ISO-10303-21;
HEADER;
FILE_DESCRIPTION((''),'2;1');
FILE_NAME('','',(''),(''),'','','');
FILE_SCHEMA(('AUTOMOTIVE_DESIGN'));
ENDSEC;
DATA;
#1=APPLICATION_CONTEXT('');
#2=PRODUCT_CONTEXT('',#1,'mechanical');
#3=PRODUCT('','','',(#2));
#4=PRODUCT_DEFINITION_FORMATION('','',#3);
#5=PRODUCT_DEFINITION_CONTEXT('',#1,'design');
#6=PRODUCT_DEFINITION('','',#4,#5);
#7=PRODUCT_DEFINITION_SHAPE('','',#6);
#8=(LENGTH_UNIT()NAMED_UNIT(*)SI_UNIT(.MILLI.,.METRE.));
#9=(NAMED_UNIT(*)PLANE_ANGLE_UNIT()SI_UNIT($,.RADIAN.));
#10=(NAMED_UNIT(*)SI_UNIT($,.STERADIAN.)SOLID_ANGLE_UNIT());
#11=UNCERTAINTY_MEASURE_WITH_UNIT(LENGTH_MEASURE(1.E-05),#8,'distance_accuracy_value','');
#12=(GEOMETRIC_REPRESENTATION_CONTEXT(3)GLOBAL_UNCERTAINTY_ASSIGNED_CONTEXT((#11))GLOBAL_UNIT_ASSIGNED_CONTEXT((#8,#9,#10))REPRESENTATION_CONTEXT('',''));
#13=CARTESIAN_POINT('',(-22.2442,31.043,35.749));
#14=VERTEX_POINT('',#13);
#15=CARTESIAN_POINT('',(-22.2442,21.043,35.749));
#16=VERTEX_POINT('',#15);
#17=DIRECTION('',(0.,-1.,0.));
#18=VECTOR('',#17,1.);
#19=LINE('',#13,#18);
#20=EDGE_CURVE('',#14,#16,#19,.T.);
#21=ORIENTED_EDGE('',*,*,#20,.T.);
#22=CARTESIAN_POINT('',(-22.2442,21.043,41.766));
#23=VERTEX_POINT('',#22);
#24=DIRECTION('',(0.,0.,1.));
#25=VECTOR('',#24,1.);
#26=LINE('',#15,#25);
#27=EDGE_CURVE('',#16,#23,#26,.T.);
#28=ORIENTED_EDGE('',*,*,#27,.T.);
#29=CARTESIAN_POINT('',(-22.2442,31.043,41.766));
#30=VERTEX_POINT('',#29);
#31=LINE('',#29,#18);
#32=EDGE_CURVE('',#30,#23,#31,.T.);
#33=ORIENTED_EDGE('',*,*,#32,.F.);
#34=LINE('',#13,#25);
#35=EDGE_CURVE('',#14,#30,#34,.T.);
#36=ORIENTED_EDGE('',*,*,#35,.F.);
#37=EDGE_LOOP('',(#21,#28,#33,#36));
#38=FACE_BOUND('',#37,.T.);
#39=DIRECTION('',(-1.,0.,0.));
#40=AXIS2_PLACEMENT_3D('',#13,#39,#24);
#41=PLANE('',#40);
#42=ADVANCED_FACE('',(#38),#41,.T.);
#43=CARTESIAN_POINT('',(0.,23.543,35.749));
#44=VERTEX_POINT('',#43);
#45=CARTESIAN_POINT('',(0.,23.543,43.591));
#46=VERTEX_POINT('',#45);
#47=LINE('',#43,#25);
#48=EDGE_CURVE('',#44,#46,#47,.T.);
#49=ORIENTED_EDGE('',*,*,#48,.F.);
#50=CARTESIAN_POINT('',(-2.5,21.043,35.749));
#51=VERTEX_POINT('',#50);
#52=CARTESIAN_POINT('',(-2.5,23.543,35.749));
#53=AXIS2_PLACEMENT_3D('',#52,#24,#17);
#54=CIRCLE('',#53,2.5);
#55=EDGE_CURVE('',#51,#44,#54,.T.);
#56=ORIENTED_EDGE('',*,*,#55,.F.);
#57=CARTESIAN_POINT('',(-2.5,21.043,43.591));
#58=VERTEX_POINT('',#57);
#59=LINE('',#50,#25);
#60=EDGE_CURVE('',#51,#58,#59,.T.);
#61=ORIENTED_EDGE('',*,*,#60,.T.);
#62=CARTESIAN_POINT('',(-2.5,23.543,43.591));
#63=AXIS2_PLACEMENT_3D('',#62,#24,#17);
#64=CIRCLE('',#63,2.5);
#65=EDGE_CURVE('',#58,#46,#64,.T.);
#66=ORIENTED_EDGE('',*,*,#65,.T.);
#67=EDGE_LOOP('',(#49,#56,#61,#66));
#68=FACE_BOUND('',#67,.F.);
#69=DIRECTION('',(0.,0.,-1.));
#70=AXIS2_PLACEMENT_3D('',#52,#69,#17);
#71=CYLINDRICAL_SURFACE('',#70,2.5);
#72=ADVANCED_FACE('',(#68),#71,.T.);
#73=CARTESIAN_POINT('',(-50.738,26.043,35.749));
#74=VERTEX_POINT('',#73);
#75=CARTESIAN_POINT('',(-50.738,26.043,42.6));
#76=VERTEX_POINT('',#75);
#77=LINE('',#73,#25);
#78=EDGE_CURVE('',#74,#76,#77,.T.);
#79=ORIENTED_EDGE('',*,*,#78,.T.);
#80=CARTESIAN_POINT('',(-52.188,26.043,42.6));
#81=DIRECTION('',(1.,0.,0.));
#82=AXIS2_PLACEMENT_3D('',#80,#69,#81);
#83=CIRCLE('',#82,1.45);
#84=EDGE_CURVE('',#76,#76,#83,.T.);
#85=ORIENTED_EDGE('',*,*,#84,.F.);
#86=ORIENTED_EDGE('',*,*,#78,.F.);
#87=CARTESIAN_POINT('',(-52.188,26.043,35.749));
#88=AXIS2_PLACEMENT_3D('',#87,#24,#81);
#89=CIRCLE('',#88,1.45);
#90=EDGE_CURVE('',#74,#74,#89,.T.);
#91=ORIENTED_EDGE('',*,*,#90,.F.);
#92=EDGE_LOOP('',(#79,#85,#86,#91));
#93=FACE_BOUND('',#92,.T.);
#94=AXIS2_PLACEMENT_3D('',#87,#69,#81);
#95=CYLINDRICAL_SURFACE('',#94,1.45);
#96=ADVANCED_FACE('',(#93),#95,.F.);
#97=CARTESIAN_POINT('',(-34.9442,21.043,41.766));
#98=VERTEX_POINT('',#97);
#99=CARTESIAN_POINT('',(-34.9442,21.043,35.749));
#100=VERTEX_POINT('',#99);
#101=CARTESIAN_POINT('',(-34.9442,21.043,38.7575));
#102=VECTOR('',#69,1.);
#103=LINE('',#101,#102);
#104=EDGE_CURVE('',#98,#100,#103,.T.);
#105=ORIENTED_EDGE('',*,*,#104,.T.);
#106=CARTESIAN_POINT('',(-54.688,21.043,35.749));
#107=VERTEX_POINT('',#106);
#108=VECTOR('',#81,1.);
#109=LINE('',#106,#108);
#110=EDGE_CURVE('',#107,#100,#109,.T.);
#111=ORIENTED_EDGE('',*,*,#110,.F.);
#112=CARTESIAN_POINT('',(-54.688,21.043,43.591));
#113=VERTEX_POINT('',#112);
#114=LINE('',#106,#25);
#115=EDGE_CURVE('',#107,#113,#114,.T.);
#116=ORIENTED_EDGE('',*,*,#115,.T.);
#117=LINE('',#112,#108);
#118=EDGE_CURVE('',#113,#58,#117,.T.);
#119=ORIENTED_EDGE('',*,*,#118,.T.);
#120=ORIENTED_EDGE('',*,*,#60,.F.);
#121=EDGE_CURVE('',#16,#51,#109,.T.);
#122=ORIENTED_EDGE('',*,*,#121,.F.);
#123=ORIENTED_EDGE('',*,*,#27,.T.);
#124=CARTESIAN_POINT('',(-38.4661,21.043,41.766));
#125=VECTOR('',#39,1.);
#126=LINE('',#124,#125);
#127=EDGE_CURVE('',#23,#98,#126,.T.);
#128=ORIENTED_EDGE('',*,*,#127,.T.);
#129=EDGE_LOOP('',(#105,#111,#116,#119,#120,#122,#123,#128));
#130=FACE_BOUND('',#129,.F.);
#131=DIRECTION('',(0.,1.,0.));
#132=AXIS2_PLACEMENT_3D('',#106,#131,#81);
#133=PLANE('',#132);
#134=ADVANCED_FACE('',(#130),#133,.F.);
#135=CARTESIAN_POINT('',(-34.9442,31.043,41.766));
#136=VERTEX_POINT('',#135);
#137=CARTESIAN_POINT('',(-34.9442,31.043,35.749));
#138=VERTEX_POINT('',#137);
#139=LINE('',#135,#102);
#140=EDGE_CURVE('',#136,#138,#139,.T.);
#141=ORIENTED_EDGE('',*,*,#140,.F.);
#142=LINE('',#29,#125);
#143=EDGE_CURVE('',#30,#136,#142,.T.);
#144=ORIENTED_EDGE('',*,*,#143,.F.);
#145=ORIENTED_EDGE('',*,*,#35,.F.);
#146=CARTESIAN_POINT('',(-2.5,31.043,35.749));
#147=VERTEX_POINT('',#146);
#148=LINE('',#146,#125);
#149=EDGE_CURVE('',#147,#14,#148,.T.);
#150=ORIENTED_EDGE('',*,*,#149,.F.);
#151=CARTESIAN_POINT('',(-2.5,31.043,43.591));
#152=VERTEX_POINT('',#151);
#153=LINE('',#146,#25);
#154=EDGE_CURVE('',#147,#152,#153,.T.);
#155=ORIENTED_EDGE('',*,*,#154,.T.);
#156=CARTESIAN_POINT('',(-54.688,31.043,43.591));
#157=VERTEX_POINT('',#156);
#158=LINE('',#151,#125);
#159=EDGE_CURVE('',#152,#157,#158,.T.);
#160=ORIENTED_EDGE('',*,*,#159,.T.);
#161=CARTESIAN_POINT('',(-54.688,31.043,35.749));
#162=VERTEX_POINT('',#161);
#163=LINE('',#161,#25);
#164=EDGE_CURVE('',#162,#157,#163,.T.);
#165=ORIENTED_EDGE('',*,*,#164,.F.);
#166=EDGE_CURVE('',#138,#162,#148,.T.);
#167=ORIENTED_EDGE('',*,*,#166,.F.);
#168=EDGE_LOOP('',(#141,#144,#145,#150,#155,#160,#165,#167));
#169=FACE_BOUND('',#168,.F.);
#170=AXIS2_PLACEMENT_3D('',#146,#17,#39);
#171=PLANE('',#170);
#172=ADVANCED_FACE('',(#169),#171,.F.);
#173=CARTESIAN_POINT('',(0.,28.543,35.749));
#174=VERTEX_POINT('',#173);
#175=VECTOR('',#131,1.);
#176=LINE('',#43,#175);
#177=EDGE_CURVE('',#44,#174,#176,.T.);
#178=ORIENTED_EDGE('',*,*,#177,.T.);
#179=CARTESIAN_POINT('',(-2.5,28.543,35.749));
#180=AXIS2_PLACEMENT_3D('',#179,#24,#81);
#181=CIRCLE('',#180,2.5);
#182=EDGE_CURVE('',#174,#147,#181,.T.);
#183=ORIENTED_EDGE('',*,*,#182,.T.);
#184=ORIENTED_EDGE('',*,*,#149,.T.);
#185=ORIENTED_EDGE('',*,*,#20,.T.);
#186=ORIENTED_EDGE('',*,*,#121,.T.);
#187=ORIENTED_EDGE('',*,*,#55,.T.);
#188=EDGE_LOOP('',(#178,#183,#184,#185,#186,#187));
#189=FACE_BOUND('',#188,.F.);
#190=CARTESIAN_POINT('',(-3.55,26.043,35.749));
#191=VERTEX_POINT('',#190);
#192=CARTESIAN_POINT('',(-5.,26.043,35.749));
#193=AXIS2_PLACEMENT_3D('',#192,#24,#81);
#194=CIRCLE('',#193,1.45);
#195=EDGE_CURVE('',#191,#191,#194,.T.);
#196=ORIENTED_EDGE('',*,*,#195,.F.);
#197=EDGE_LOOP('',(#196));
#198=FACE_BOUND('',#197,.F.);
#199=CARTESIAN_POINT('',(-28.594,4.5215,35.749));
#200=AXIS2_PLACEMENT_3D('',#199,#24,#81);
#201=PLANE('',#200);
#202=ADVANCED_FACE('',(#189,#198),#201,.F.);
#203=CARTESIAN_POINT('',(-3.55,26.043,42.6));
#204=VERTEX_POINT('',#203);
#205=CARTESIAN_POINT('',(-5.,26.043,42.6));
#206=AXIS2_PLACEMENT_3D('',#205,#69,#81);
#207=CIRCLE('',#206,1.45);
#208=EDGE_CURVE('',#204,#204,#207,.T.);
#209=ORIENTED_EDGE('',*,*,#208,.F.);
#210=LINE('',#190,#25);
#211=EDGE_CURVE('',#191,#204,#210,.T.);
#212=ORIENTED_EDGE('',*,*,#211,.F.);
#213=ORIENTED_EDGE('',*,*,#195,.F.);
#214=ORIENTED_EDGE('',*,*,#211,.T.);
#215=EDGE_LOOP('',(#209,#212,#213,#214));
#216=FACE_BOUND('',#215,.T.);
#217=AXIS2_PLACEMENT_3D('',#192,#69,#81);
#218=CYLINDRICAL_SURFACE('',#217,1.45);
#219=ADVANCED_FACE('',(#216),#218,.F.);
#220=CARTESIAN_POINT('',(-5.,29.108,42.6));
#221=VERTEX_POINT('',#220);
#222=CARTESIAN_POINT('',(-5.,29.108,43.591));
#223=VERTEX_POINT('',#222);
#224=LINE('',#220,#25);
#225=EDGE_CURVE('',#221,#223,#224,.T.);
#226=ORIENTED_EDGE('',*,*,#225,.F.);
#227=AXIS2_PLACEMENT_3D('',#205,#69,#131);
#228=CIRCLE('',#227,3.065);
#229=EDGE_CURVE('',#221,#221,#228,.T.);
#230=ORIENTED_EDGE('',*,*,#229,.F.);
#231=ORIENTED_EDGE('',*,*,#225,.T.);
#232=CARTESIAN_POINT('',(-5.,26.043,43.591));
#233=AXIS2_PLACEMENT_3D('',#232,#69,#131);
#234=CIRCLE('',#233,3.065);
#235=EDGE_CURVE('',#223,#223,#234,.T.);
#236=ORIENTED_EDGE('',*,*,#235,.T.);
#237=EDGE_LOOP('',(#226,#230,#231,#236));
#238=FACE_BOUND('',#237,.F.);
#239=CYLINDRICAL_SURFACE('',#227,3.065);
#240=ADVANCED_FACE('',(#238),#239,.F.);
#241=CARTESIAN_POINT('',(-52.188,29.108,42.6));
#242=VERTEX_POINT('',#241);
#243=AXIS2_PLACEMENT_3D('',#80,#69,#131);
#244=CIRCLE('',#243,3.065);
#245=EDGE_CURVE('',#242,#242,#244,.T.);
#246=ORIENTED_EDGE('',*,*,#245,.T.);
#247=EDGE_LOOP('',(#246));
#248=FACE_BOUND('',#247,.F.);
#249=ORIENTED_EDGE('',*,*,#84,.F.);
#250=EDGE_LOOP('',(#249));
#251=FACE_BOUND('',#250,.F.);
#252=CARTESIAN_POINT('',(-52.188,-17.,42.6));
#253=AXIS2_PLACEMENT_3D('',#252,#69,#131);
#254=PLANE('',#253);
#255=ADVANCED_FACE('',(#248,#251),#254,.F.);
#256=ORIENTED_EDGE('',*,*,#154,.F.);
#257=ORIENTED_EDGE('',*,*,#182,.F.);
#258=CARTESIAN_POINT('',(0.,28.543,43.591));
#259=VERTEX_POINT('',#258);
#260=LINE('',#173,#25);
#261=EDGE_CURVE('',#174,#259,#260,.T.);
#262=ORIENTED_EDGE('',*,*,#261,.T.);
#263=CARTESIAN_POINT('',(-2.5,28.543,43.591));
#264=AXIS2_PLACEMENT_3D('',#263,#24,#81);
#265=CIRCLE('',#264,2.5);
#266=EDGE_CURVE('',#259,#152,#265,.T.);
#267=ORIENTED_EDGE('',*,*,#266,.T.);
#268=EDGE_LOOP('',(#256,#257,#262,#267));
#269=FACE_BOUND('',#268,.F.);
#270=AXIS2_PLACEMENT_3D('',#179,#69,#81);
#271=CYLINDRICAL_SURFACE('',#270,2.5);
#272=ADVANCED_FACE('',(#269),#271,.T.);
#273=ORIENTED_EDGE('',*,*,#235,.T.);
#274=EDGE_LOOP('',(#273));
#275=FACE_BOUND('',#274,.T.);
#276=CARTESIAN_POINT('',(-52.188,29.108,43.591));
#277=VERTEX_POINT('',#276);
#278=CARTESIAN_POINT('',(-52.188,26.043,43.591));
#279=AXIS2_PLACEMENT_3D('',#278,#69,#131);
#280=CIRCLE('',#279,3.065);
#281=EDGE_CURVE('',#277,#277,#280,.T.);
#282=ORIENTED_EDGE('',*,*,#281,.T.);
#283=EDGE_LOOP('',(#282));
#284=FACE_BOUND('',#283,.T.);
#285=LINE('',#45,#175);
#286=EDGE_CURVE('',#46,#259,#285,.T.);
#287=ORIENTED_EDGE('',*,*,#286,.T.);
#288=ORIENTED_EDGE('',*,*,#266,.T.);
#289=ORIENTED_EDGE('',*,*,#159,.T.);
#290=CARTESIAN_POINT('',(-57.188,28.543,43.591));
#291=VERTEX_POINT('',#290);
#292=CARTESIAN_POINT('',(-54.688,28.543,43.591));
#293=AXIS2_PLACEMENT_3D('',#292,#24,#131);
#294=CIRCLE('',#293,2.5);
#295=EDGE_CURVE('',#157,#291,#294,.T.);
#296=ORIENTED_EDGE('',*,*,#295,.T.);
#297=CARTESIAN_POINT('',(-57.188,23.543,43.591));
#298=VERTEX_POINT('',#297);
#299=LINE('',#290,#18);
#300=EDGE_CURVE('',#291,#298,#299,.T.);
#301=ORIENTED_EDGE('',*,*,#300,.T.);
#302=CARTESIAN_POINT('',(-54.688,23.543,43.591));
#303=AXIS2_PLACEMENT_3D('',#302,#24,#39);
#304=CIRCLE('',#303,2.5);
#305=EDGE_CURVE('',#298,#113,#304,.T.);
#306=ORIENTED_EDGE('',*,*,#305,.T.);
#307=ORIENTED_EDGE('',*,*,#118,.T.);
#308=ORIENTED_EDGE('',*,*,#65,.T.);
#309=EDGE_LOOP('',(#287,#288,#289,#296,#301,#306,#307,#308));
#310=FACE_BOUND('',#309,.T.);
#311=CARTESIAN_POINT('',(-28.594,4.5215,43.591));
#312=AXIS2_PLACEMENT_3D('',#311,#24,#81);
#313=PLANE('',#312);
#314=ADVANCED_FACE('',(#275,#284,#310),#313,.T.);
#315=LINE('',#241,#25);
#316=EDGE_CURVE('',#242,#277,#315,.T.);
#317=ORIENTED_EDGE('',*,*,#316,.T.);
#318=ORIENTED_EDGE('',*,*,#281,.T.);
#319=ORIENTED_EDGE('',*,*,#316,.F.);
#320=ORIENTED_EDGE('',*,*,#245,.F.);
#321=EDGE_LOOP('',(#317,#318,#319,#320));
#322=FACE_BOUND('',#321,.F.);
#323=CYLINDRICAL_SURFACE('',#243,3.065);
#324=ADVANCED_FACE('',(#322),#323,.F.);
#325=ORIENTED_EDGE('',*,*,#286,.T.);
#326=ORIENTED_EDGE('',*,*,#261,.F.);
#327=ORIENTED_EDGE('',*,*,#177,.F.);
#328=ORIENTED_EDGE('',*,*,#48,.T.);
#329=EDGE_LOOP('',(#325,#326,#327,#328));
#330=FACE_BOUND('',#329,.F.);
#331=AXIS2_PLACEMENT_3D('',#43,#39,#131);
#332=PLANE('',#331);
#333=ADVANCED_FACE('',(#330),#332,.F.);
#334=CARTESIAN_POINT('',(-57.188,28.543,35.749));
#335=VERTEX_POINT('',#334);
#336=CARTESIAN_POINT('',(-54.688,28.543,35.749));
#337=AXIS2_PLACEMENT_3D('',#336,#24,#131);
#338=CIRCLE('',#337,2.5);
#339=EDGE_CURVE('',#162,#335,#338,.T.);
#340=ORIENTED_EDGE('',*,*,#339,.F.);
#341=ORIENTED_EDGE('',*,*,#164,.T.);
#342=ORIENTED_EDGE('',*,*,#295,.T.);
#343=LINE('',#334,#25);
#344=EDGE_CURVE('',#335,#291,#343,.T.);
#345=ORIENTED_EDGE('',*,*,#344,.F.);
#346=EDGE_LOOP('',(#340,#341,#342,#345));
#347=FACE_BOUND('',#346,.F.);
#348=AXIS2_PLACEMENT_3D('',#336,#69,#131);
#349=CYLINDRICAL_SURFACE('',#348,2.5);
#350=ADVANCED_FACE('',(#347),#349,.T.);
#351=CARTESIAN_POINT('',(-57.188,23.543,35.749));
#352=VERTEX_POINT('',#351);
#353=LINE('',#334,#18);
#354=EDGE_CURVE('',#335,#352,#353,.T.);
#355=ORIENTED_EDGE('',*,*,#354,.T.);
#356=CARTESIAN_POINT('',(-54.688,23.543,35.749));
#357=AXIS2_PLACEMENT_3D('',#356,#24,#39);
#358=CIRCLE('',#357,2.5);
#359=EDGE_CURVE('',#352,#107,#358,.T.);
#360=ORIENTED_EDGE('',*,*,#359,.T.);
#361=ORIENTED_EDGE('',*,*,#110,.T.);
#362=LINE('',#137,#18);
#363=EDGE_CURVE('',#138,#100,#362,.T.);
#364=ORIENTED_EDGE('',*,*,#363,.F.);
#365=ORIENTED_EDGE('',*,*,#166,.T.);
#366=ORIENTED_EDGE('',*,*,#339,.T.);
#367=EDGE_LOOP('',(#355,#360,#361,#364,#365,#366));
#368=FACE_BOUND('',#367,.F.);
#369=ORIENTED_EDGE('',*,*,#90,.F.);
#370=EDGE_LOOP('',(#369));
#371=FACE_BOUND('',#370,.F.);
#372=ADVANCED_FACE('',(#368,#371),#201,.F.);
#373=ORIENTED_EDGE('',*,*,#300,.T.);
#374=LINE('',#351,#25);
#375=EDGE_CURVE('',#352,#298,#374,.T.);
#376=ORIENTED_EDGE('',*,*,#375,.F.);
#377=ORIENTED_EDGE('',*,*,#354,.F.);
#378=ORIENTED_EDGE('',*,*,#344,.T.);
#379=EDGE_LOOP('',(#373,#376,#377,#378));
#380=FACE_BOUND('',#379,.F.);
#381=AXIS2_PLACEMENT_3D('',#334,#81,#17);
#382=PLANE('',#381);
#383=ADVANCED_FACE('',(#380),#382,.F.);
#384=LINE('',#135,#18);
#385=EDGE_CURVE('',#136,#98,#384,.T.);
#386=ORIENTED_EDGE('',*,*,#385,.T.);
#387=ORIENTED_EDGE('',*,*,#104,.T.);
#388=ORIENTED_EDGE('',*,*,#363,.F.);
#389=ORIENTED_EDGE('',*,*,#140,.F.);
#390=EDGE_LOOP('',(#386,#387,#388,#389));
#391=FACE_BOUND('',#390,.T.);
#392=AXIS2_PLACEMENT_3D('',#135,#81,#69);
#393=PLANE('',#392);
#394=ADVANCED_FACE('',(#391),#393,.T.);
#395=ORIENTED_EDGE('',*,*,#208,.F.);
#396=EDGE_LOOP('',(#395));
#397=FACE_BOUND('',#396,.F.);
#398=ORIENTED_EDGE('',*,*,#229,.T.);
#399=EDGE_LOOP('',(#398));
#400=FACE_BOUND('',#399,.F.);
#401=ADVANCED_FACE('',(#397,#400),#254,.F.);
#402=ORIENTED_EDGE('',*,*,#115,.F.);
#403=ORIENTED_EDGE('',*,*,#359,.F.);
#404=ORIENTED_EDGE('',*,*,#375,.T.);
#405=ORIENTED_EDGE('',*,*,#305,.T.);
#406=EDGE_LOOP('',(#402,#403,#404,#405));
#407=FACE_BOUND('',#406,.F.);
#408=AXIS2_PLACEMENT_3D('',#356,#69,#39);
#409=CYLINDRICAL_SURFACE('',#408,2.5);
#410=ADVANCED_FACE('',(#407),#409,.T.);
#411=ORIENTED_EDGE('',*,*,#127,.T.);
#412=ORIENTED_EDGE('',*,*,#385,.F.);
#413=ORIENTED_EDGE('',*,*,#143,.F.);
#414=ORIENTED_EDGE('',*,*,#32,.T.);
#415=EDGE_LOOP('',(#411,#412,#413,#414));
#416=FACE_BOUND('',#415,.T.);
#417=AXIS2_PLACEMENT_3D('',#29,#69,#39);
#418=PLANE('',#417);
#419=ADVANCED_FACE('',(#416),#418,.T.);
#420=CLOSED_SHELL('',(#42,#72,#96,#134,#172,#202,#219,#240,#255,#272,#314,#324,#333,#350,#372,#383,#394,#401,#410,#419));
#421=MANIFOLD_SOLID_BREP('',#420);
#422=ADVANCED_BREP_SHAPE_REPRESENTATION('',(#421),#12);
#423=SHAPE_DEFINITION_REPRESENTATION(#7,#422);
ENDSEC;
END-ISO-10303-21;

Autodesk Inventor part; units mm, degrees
ref_plane "YZ Plane" through (0, 0, 0) normal (1, 0, 0) x (0, 1, 0)
ref_plane "XZ Plane" through (0, 0, 0) normal (0, 1, 0) x (-1, 0, 0)
ref_plane "XY Plane" through (0, 0, 0) normal (0, 0, 1) x (1, 0, 0)
ref_plane "Work Plane1" through (-28.594, 4.5215, 35.749) normal (0, 0, 1) x (1, 0, 0)
sketch "Sketch1" plane through (-28.594, 4.5215, 35.749) normal (0, 0, 1) x (1, 0, 0)
  circle A0 centre (23.594, 21.5215) radius 1.45 projected
  circle A1 centre (-23.594, 21.5215) radius 1.45 projected
  circle A2 centre (23.594, 21.5215) radius 1.45 projected
  arc A3 (-26.094, 26.5215) -> (-28.594, 24.0215) centre (-26.094, 24.0215) ccw projected
  line L0 (26.094, 26.5215) -> (-26.094, 26.5215) projected
  arc A4 (28.594, 24.0215) -> (26.094, 26.5215) centre (26.094, 24.0215) ccw projected
  line L1 (28.594, 19.0215) -> (28.594, 24.0215) projected
  arc A5 (26.094, 16.5215) -> (28.594, 19.0215) centre (26.094, 19.0215) ccw projected
  line L2 (-26.094, 16.5215) -> (26.094, 16.5215) projected
  arc A6 (-28.594, 19.0215) -> (-26.094, 16.5215) centre (-26.094, 19.0215) ccw projected
  line L3 (-28.594, 24.0215) -> (-28.594, 19.0215) projected
  circle A7 centre (-23.594, 21.5215) radius 1.45 projected
  point P0 (28.594, -4.5215)
extrude "Extrusion1" add sketch "Sketch1" along normal blind 7.842
sketch "Sketch2" plane through (-54.688, 31.043, 35.749) normal (0, 1, 0) x (1, 0, 0)
  line L0 (32.3438, -5.842) -> (19.8438, -5.842) construction
  line L1 (19.8438, -5.842) -> (19.8438, 0) construction
  line L2 (19.8438, 0) -> (32.3438, 0) construction
  line L3 (32.3438, 0) -> (32.3438, -5.842) construction
  line L4 (52.188, 0) -> (0, 0) projected
  line L5 (32.4438, 0) -> (32.4438, -6.017)
  line L6 (32.4438, -6.017) -> (19.7438, -6.017)
  line L7 (19.7438, -6.017) -> (19.7438, 0)
  point P0 (54.688, 35.749)
  dimension "d2" = 0.1
  dimension "d3" = 0.1
  dimension "d4" = 0.175
extrude "Extrusion2" cut sketch "Sketch2" against normal blind 12.908
ref_plane "Work Plane2" through (-52.188, -17, 42.6) normal (0, 0, -1) x (0, 1, 0)
sketch "Sketch3" plane through (-52.188, -17, 42.6) normal (0, 0, -1) x (0, 1, 0)
  line L0 (45.543, -5) -> (40.543, -5) projected
  arc A0 (38.043, -2.5) -> (40.543, -5) centre (40.543, -2.5) ccw projected
  line L1 (38.043, -2.5) -> (38.043, 49.688) projected
  arc A1 (40.543, 52.188) -> (38.043, 49.688) centre (40.543, 49.688) ccw projected
  line L2 (40.543, 52.188) -> (45.543, 52.188) projected
  arc A2 (48.043, 49.688) -> (45.543, 52.188) centre (45.543, 49.688) ccw projected
  line L3 (48.043, 49.688) -> (48.043, -2.5) projected
  arc A3 (45.543, -5) -> (48.043, -2.5) centre (45.543, -2.5) ccw projected
  circle A4 centre (43.043, 47.188) radius 1.45 projected
  circle A5 centre (43.043, 0) radius 1.45 projected
  circle A6 centre (0, 47.188) radius 3.065 projected
  circle A7 centre (43.043, 47.188) radius 3.065 projected
  circle A8 centre (43.043, 0) radius 3.065 projected
  point P0 (17, 52.188)
extrude "Extrusion3" cut sketch "Sketch3" against normal blind 12.908 contours A4 | A5 | A7 | A8
properties part number "connectorHolder"
